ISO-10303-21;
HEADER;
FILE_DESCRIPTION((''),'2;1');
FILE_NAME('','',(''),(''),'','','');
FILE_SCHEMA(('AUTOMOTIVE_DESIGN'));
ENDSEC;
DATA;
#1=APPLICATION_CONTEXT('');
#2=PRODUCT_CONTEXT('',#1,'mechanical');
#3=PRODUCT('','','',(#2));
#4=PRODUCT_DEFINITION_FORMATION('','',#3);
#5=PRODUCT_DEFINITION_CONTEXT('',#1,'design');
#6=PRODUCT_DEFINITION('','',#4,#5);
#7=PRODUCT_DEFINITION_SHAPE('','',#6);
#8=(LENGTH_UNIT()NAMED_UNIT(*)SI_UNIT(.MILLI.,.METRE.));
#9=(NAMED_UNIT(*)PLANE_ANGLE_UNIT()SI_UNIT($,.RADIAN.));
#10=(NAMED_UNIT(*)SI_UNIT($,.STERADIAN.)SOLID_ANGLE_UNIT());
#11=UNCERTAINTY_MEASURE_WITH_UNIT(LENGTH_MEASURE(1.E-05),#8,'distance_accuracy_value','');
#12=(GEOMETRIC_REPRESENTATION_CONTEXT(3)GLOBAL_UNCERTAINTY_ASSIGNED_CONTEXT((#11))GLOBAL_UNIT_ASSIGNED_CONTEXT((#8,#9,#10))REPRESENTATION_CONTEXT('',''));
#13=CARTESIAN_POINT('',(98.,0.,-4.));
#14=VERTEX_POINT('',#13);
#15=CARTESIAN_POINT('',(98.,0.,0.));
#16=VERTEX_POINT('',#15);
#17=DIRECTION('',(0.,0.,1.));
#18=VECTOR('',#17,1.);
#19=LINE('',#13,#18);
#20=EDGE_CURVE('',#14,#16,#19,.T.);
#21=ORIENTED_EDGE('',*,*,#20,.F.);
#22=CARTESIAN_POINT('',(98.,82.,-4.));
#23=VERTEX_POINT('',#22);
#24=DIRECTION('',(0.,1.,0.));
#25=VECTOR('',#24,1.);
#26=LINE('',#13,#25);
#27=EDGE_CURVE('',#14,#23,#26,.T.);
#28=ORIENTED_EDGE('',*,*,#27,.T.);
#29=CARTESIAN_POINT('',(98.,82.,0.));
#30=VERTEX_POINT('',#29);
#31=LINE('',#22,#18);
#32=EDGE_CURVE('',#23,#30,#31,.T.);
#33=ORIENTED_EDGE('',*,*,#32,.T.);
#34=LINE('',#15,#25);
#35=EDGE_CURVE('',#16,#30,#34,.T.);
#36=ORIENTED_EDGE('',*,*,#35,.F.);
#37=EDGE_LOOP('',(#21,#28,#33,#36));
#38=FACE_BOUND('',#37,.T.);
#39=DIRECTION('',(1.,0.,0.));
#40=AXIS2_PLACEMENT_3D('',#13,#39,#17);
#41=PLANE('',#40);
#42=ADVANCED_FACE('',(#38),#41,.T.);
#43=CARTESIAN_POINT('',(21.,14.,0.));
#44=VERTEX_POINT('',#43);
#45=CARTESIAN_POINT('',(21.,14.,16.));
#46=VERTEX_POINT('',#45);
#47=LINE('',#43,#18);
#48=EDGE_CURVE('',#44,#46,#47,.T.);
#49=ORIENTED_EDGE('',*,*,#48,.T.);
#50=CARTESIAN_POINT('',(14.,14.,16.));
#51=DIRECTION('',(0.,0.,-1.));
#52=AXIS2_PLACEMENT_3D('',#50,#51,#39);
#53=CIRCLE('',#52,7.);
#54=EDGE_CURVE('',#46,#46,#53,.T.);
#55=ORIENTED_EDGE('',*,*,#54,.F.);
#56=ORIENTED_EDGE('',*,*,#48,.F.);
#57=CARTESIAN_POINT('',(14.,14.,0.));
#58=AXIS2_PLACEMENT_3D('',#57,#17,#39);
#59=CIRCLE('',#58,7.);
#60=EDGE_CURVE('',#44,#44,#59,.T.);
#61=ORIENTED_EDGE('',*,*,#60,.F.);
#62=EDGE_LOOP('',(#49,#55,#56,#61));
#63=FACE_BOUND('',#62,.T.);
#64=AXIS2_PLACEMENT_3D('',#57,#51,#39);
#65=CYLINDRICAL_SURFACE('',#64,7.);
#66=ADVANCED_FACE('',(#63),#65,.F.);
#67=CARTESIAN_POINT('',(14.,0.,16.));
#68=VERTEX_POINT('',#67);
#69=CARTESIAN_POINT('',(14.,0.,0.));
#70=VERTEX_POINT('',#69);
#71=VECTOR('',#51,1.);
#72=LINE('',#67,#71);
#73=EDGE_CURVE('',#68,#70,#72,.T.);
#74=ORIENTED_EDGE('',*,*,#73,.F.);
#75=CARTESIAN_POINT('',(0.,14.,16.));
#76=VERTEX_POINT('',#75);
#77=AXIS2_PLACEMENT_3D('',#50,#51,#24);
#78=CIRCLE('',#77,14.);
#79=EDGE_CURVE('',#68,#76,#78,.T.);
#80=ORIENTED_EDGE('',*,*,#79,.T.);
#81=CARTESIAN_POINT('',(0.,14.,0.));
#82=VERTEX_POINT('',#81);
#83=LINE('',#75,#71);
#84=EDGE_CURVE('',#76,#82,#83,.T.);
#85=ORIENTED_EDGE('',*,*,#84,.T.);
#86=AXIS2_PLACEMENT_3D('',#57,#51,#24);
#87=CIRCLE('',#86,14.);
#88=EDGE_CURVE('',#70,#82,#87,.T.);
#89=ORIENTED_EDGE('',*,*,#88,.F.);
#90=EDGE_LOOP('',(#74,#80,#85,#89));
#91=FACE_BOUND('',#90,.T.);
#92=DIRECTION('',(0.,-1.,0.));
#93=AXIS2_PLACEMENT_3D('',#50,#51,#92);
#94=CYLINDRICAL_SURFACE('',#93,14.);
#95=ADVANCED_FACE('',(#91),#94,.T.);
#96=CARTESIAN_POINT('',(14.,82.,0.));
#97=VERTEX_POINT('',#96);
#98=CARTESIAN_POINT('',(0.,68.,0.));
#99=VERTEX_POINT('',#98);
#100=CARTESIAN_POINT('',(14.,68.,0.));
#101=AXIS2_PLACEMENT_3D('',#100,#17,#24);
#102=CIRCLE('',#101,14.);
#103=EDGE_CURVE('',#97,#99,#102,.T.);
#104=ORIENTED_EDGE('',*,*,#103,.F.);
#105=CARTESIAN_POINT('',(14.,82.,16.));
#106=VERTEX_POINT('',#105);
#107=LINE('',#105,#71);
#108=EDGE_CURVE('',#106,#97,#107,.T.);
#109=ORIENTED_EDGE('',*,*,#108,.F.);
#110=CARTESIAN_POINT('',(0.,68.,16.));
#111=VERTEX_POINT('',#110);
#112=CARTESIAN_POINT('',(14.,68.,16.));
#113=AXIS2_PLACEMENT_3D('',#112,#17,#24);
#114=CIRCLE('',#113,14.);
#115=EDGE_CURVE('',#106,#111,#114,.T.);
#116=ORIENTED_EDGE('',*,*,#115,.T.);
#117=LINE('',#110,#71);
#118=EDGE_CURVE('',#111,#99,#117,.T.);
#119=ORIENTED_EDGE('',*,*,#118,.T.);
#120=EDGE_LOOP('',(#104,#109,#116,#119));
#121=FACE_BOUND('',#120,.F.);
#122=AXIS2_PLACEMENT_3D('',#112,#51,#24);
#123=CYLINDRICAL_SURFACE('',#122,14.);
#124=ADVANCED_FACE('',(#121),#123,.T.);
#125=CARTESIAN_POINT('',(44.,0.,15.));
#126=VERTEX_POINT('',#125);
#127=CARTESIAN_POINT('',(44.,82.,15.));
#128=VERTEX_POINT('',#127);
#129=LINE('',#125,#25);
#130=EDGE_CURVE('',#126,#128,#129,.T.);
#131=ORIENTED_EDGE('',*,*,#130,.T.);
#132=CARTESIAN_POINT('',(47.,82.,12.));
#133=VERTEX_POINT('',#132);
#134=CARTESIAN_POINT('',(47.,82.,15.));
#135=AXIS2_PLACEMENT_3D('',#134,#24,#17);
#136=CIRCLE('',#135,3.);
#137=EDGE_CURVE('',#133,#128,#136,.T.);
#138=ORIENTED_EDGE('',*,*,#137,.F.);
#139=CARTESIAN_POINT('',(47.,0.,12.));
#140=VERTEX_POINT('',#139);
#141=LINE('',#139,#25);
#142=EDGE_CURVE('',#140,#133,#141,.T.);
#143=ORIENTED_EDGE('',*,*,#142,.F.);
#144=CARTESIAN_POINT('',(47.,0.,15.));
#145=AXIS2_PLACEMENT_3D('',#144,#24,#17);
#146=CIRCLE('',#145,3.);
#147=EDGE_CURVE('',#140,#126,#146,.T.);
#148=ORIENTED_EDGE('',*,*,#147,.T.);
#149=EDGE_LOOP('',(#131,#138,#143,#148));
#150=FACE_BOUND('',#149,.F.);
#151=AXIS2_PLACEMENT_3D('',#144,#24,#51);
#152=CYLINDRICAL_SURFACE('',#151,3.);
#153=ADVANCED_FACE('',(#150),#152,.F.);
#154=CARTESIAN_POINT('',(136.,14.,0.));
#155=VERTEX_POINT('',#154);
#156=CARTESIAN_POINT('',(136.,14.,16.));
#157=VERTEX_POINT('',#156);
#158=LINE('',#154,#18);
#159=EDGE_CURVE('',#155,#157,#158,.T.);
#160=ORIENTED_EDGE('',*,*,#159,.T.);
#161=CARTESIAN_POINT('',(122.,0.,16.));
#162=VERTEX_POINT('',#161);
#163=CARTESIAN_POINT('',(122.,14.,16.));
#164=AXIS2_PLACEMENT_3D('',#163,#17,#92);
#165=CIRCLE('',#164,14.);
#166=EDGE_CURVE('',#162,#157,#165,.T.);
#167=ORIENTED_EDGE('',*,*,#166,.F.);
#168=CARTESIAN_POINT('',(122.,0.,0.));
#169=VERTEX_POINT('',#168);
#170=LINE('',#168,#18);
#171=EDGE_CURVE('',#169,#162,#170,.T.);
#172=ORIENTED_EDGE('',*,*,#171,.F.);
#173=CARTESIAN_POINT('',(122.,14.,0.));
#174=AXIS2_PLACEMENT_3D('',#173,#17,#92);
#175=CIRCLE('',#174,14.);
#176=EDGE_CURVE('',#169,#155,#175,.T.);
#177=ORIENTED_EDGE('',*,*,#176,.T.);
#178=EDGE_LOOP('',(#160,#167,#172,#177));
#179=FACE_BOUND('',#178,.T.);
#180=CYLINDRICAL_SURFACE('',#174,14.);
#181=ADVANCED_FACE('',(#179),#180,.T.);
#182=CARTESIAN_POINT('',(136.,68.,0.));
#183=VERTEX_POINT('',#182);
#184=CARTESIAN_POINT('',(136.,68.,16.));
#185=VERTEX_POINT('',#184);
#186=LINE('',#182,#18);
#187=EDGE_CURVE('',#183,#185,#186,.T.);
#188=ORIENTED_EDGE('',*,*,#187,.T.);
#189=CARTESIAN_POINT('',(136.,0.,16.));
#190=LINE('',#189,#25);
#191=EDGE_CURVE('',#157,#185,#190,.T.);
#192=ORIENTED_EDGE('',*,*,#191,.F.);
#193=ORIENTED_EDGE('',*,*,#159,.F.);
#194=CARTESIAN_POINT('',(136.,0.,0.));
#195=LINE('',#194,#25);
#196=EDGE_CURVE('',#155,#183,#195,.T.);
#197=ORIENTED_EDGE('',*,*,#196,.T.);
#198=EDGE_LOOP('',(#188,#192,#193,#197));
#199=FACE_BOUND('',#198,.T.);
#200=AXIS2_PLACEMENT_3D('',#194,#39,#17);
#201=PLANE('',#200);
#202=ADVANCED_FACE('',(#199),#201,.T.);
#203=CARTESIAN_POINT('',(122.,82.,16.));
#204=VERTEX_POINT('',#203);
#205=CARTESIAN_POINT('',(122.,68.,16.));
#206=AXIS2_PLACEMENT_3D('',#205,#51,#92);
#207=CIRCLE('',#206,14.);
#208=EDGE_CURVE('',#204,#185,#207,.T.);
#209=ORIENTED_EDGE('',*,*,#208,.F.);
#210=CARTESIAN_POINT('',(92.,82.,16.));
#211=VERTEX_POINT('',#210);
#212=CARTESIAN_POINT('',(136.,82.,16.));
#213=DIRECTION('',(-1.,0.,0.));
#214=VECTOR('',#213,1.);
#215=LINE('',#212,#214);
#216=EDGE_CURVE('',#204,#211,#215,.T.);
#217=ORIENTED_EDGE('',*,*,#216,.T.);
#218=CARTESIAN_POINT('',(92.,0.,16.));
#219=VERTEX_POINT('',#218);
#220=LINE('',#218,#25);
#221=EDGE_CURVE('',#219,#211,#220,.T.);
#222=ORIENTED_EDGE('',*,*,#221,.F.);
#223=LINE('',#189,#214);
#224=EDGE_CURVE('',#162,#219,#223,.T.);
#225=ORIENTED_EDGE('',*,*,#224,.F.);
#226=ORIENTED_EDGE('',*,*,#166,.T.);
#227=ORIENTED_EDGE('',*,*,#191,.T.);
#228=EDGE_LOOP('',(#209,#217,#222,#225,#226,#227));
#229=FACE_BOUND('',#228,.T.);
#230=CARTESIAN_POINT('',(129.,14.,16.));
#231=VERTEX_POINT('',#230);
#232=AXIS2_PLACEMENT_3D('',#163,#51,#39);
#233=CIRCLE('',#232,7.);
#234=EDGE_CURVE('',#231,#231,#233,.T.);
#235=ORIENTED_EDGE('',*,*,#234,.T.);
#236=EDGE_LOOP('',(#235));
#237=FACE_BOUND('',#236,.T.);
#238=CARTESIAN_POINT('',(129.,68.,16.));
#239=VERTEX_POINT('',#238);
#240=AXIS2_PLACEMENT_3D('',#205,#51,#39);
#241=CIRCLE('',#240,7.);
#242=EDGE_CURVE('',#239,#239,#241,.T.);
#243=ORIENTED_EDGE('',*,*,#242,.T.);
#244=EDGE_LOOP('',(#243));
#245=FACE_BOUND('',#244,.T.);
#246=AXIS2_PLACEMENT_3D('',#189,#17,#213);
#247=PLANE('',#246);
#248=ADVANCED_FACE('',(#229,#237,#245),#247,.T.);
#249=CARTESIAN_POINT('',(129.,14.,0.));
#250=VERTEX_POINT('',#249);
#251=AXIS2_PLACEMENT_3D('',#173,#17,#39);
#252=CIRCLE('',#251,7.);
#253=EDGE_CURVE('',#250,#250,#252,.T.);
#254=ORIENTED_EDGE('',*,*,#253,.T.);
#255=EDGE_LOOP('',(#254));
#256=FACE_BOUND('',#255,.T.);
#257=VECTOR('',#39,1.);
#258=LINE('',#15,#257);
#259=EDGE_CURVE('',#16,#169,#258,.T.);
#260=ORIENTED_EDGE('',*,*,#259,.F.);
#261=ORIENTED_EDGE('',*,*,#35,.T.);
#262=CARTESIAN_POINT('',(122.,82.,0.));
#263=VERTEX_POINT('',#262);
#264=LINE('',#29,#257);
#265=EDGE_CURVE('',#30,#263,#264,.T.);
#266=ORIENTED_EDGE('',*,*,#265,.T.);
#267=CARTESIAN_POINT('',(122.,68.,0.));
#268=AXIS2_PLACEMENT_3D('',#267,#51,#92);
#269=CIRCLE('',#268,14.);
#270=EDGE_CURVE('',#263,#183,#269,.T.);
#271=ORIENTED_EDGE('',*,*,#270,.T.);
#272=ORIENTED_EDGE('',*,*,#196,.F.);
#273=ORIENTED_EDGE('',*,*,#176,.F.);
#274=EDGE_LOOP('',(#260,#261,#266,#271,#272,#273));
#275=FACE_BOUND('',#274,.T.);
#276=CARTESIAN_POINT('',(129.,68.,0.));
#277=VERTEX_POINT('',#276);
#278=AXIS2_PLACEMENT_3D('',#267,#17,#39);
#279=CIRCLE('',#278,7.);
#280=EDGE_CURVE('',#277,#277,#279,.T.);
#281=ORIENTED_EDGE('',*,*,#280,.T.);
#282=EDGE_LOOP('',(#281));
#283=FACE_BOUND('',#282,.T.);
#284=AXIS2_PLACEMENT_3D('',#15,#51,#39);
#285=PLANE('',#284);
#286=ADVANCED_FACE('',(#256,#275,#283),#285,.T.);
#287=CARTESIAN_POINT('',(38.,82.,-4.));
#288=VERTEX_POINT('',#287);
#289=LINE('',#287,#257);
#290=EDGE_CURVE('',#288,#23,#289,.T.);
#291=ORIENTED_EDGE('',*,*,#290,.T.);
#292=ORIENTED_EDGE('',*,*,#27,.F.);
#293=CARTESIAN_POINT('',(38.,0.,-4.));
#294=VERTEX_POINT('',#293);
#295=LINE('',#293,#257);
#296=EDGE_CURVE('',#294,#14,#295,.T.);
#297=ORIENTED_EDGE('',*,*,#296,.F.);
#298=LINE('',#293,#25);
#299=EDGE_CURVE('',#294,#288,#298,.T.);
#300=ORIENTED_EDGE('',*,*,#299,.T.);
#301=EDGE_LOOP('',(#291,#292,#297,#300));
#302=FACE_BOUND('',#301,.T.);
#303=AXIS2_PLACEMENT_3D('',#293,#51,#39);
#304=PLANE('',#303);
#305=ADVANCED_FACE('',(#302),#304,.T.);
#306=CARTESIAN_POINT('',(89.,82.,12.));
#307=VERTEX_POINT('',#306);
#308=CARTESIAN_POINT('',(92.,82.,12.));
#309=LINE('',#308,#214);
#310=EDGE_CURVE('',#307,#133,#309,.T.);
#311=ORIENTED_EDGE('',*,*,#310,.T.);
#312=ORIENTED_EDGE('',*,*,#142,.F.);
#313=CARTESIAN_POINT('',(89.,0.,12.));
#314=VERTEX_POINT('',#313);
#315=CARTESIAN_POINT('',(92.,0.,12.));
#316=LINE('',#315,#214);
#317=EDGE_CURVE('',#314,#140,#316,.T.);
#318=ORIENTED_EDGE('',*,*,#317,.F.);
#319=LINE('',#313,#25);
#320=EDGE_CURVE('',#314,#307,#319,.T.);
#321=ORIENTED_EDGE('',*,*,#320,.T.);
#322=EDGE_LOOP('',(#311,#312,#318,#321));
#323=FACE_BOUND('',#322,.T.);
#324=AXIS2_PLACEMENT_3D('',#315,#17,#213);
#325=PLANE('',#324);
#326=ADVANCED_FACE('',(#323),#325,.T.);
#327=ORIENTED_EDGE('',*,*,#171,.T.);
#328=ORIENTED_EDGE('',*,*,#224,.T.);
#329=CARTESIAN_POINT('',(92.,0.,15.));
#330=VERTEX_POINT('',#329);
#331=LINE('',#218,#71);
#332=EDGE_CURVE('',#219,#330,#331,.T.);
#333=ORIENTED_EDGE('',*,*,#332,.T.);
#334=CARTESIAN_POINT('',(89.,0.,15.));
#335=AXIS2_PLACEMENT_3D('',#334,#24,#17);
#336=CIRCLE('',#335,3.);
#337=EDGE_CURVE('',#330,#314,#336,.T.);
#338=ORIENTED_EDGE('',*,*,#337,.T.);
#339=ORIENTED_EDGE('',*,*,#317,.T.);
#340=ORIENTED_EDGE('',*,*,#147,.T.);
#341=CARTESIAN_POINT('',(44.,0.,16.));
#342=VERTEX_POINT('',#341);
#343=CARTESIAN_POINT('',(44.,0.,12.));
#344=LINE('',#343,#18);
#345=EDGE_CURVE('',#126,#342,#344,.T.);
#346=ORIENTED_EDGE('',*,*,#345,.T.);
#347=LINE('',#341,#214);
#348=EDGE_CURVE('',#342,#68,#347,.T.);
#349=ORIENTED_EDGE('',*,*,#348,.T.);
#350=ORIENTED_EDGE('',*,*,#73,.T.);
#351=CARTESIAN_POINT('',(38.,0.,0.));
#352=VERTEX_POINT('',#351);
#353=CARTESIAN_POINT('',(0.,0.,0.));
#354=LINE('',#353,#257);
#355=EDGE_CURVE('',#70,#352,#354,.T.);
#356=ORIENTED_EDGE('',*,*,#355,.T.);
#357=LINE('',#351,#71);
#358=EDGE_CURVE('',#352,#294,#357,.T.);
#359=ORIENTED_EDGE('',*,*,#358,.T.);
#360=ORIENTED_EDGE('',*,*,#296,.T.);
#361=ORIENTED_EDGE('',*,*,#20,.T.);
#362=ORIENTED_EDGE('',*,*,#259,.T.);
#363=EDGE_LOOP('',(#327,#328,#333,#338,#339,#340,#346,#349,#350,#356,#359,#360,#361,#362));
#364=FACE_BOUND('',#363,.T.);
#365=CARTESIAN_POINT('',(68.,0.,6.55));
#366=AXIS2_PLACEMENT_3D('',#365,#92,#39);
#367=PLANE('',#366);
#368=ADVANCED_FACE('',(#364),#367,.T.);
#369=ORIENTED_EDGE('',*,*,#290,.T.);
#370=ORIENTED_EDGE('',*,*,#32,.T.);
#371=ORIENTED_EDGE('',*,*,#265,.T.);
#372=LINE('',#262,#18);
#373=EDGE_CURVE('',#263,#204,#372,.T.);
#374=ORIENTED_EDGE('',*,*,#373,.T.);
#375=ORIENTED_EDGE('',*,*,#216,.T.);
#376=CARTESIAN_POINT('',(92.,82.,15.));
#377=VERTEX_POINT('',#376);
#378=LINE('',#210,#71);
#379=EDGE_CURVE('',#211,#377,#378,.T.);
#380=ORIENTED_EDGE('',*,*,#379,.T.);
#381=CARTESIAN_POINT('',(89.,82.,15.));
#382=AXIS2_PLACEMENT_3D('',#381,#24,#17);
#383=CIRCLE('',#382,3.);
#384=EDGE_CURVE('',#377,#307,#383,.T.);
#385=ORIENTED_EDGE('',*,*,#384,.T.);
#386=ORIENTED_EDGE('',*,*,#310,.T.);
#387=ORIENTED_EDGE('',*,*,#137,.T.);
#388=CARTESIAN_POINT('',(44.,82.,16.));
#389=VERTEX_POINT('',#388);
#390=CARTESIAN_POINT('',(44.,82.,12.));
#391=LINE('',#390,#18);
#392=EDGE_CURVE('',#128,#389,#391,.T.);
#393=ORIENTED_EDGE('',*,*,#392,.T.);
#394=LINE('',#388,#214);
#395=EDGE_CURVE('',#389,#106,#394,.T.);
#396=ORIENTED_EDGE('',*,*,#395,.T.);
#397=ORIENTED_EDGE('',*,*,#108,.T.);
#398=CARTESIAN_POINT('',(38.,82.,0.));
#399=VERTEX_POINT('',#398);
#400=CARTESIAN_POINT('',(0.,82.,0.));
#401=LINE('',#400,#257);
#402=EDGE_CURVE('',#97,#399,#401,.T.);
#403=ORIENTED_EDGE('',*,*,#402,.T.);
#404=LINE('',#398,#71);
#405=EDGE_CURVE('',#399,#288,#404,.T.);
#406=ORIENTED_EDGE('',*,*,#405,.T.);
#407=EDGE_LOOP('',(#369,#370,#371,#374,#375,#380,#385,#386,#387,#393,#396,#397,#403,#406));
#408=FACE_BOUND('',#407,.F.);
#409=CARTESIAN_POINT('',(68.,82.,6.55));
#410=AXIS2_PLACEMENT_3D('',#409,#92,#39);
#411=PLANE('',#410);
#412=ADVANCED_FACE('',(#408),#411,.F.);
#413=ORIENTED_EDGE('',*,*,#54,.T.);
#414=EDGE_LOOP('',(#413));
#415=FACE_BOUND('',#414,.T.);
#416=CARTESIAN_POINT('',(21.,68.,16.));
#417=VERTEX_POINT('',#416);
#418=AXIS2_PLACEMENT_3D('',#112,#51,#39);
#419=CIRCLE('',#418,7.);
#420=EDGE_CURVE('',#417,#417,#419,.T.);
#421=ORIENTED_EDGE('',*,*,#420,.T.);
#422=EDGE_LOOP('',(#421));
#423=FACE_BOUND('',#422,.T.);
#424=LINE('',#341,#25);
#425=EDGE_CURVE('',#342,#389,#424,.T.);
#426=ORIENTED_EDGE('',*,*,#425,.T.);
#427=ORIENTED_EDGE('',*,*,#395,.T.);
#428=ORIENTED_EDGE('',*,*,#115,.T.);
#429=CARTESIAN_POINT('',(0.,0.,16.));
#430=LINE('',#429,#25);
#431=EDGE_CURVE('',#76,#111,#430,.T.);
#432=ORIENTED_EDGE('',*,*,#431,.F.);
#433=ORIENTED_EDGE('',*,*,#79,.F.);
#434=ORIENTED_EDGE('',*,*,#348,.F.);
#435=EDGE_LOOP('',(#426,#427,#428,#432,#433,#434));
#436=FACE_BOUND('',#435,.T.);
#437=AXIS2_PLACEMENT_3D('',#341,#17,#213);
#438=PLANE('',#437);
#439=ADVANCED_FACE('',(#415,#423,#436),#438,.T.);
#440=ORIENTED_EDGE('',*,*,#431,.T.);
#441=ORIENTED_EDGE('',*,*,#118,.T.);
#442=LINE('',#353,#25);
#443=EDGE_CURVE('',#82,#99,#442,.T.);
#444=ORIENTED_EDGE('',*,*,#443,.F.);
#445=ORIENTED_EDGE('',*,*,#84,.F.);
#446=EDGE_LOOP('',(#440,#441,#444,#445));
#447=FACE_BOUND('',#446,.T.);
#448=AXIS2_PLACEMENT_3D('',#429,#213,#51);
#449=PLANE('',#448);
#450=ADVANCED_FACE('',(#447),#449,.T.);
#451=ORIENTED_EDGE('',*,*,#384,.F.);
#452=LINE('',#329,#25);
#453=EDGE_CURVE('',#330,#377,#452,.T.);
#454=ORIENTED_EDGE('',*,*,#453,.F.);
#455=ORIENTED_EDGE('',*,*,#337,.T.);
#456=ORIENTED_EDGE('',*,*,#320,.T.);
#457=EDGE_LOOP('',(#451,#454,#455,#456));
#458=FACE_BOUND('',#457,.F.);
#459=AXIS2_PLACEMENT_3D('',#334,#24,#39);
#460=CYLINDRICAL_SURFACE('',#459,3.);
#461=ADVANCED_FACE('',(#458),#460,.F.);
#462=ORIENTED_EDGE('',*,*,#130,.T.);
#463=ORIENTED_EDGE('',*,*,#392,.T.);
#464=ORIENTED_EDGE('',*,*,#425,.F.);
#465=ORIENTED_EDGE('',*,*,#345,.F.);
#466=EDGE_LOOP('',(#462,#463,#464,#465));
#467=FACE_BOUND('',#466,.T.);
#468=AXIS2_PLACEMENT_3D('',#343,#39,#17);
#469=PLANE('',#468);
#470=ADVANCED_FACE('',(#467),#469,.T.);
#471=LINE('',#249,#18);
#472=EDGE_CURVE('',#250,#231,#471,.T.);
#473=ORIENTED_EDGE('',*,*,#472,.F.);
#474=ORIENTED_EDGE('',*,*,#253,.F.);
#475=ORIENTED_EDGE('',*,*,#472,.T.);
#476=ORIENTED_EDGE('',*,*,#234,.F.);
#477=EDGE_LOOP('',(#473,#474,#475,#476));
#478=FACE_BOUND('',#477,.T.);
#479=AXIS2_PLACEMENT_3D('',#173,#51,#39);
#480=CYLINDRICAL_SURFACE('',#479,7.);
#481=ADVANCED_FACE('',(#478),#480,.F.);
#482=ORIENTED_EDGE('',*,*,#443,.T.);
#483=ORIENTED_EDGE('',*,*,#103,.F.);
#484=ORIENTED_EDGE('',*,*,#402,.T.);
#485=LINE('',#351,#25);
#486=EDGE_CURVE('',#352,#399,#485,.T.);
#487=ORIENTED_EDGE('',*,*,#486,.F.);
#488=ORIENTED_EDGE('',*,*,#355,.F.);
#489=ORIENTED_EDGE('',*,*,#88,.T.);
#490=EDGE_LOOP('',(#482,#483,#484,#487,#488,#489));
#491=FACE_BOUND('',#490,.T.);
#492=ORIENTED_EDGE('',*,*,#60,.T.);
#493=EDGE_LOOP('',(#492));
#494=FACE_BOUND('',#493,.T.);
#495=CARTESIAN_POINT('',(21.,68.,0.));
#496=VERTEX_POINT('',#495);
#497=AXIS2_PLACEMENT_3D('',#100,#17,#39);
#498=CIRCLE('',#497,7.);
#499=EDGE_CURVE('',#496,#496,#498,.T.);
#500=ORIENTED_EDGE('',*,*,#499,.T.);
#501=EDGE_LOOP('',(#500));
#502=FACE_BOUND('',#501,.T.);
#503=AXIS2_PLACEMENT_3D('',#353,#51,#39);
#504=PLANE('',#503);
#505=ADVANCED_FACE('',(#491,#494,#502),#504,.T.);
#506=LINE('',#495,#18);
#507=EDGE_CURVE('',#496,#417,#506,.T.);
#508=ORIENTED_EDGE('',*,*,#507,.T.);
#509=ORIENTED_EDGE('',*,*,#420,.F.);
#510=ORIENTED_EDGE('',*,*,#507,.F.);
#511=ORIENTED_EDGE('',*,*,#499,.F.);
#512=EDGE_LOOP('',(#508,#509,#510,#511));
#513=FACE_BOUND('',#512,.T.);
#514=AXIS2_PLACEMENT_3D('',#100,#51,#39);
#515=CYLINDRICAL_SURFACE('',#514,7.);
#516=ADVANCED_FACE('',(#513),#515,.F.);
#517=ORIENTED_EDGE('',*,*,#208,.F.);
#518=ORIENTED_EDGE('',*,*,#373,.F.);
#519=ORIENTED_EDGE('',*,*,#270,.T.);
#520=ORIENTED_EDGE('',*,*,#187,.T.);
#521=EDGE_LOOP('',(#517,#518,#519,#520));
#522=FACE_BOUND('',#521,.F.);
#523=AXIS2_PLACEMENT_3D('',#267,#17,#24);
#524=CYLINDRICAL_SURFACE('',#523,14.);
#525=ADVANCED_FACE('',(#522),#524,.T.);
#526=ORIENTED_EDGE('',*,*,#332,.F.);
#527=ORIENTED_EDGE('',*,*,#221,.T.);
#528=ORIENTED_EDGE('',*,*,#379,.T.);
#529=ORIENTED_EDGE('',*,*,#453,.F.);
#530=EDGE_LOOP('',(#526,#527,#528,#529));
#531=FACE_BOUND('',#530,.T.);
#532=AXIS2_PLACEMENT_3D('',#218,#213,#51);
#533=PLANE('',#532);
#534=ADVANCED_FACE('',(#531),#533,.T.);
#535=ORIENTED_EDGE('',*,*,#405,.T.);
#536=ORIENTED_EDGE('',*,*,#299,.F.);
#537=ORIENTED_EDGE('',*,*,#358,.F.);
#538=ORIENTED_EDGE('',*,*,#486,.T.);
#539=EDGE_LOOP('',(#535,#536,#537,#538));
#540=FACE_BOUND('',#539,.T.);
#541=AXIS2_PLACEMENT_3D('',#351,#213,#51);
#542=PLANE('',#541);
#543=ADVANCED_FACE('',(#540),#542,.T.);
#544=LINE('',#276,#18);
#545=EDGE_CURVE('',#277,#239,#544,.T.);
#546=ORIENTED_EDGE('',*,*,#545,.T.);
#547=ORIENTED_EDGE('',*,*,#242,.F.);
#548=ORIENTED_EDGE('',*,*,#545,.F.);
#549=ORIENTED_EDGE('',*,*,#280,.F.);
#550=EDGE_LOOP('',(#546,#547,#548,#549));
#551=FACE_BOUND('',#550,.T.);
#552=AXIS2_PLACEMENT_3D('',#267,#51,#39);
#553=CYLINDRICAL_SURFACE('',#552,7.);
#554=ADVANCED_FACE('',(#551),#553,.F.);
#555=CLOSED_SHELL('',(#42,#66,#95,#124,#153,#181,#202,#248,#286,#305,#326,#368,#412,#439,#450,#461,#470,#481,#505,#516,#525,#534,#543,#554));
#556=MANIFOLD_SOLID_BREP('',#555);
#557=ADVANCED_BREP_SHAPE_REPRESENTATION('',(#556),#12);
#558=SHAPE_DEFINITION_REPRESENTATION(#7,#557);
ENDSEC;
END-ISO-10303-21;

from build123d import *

# Parameters (mm, degrees)
F1_DEPTH = 82
F2_R     = 3
F3_R     = 7
F4_DEPTH = 16.001
F5_R     = 14


with BuildPart() as f1:
    # F0 (on Front) → F1 (new body)
    with BuildSketch(Plane.XZ):
        Polygon((0, 16), (0, 0), (38, 0), (38, -4), (98, -4), (98, 0), (136, 0), (136, 16), (92, 16), (92, 12), (44, 12), (44, 16), align=None)
    extrude(amount=-F1_DEPTH)

    # F2
    f2_edges = [f1.edges().sort_by_distance(p)[0] for p in [
        (44, 41, 12),
        (92, 41, 12),
    ]]
    fillet(f2_edges, radius=F2_R)

    # F3 (on Top) → F4 (cut, through all)
    with BuildSketch(Plane.XY):
        with Locations((14, 14)):
            Circle(F3_R)
        with Locations((122, 14)):
            Circle(F3_R)
        with Locations((14, 68)):
            Circle(F3_R)
        with Locations((122, 68)):
            Circle(F3_R)
    extrude(amount=F4_DEPTH, mode=Mode.SUBTRACT)

    # F5
    f5_edges = [f1.edges().sort_by_distance(p)[0] for p in [
        (0, 0, 8),
        (0, 82, 8),
        (136, 0, 8),
        (136, 82, 8),
    ]]
    fillet(f5_edges, radius=F5_R)


solid = f1.part
